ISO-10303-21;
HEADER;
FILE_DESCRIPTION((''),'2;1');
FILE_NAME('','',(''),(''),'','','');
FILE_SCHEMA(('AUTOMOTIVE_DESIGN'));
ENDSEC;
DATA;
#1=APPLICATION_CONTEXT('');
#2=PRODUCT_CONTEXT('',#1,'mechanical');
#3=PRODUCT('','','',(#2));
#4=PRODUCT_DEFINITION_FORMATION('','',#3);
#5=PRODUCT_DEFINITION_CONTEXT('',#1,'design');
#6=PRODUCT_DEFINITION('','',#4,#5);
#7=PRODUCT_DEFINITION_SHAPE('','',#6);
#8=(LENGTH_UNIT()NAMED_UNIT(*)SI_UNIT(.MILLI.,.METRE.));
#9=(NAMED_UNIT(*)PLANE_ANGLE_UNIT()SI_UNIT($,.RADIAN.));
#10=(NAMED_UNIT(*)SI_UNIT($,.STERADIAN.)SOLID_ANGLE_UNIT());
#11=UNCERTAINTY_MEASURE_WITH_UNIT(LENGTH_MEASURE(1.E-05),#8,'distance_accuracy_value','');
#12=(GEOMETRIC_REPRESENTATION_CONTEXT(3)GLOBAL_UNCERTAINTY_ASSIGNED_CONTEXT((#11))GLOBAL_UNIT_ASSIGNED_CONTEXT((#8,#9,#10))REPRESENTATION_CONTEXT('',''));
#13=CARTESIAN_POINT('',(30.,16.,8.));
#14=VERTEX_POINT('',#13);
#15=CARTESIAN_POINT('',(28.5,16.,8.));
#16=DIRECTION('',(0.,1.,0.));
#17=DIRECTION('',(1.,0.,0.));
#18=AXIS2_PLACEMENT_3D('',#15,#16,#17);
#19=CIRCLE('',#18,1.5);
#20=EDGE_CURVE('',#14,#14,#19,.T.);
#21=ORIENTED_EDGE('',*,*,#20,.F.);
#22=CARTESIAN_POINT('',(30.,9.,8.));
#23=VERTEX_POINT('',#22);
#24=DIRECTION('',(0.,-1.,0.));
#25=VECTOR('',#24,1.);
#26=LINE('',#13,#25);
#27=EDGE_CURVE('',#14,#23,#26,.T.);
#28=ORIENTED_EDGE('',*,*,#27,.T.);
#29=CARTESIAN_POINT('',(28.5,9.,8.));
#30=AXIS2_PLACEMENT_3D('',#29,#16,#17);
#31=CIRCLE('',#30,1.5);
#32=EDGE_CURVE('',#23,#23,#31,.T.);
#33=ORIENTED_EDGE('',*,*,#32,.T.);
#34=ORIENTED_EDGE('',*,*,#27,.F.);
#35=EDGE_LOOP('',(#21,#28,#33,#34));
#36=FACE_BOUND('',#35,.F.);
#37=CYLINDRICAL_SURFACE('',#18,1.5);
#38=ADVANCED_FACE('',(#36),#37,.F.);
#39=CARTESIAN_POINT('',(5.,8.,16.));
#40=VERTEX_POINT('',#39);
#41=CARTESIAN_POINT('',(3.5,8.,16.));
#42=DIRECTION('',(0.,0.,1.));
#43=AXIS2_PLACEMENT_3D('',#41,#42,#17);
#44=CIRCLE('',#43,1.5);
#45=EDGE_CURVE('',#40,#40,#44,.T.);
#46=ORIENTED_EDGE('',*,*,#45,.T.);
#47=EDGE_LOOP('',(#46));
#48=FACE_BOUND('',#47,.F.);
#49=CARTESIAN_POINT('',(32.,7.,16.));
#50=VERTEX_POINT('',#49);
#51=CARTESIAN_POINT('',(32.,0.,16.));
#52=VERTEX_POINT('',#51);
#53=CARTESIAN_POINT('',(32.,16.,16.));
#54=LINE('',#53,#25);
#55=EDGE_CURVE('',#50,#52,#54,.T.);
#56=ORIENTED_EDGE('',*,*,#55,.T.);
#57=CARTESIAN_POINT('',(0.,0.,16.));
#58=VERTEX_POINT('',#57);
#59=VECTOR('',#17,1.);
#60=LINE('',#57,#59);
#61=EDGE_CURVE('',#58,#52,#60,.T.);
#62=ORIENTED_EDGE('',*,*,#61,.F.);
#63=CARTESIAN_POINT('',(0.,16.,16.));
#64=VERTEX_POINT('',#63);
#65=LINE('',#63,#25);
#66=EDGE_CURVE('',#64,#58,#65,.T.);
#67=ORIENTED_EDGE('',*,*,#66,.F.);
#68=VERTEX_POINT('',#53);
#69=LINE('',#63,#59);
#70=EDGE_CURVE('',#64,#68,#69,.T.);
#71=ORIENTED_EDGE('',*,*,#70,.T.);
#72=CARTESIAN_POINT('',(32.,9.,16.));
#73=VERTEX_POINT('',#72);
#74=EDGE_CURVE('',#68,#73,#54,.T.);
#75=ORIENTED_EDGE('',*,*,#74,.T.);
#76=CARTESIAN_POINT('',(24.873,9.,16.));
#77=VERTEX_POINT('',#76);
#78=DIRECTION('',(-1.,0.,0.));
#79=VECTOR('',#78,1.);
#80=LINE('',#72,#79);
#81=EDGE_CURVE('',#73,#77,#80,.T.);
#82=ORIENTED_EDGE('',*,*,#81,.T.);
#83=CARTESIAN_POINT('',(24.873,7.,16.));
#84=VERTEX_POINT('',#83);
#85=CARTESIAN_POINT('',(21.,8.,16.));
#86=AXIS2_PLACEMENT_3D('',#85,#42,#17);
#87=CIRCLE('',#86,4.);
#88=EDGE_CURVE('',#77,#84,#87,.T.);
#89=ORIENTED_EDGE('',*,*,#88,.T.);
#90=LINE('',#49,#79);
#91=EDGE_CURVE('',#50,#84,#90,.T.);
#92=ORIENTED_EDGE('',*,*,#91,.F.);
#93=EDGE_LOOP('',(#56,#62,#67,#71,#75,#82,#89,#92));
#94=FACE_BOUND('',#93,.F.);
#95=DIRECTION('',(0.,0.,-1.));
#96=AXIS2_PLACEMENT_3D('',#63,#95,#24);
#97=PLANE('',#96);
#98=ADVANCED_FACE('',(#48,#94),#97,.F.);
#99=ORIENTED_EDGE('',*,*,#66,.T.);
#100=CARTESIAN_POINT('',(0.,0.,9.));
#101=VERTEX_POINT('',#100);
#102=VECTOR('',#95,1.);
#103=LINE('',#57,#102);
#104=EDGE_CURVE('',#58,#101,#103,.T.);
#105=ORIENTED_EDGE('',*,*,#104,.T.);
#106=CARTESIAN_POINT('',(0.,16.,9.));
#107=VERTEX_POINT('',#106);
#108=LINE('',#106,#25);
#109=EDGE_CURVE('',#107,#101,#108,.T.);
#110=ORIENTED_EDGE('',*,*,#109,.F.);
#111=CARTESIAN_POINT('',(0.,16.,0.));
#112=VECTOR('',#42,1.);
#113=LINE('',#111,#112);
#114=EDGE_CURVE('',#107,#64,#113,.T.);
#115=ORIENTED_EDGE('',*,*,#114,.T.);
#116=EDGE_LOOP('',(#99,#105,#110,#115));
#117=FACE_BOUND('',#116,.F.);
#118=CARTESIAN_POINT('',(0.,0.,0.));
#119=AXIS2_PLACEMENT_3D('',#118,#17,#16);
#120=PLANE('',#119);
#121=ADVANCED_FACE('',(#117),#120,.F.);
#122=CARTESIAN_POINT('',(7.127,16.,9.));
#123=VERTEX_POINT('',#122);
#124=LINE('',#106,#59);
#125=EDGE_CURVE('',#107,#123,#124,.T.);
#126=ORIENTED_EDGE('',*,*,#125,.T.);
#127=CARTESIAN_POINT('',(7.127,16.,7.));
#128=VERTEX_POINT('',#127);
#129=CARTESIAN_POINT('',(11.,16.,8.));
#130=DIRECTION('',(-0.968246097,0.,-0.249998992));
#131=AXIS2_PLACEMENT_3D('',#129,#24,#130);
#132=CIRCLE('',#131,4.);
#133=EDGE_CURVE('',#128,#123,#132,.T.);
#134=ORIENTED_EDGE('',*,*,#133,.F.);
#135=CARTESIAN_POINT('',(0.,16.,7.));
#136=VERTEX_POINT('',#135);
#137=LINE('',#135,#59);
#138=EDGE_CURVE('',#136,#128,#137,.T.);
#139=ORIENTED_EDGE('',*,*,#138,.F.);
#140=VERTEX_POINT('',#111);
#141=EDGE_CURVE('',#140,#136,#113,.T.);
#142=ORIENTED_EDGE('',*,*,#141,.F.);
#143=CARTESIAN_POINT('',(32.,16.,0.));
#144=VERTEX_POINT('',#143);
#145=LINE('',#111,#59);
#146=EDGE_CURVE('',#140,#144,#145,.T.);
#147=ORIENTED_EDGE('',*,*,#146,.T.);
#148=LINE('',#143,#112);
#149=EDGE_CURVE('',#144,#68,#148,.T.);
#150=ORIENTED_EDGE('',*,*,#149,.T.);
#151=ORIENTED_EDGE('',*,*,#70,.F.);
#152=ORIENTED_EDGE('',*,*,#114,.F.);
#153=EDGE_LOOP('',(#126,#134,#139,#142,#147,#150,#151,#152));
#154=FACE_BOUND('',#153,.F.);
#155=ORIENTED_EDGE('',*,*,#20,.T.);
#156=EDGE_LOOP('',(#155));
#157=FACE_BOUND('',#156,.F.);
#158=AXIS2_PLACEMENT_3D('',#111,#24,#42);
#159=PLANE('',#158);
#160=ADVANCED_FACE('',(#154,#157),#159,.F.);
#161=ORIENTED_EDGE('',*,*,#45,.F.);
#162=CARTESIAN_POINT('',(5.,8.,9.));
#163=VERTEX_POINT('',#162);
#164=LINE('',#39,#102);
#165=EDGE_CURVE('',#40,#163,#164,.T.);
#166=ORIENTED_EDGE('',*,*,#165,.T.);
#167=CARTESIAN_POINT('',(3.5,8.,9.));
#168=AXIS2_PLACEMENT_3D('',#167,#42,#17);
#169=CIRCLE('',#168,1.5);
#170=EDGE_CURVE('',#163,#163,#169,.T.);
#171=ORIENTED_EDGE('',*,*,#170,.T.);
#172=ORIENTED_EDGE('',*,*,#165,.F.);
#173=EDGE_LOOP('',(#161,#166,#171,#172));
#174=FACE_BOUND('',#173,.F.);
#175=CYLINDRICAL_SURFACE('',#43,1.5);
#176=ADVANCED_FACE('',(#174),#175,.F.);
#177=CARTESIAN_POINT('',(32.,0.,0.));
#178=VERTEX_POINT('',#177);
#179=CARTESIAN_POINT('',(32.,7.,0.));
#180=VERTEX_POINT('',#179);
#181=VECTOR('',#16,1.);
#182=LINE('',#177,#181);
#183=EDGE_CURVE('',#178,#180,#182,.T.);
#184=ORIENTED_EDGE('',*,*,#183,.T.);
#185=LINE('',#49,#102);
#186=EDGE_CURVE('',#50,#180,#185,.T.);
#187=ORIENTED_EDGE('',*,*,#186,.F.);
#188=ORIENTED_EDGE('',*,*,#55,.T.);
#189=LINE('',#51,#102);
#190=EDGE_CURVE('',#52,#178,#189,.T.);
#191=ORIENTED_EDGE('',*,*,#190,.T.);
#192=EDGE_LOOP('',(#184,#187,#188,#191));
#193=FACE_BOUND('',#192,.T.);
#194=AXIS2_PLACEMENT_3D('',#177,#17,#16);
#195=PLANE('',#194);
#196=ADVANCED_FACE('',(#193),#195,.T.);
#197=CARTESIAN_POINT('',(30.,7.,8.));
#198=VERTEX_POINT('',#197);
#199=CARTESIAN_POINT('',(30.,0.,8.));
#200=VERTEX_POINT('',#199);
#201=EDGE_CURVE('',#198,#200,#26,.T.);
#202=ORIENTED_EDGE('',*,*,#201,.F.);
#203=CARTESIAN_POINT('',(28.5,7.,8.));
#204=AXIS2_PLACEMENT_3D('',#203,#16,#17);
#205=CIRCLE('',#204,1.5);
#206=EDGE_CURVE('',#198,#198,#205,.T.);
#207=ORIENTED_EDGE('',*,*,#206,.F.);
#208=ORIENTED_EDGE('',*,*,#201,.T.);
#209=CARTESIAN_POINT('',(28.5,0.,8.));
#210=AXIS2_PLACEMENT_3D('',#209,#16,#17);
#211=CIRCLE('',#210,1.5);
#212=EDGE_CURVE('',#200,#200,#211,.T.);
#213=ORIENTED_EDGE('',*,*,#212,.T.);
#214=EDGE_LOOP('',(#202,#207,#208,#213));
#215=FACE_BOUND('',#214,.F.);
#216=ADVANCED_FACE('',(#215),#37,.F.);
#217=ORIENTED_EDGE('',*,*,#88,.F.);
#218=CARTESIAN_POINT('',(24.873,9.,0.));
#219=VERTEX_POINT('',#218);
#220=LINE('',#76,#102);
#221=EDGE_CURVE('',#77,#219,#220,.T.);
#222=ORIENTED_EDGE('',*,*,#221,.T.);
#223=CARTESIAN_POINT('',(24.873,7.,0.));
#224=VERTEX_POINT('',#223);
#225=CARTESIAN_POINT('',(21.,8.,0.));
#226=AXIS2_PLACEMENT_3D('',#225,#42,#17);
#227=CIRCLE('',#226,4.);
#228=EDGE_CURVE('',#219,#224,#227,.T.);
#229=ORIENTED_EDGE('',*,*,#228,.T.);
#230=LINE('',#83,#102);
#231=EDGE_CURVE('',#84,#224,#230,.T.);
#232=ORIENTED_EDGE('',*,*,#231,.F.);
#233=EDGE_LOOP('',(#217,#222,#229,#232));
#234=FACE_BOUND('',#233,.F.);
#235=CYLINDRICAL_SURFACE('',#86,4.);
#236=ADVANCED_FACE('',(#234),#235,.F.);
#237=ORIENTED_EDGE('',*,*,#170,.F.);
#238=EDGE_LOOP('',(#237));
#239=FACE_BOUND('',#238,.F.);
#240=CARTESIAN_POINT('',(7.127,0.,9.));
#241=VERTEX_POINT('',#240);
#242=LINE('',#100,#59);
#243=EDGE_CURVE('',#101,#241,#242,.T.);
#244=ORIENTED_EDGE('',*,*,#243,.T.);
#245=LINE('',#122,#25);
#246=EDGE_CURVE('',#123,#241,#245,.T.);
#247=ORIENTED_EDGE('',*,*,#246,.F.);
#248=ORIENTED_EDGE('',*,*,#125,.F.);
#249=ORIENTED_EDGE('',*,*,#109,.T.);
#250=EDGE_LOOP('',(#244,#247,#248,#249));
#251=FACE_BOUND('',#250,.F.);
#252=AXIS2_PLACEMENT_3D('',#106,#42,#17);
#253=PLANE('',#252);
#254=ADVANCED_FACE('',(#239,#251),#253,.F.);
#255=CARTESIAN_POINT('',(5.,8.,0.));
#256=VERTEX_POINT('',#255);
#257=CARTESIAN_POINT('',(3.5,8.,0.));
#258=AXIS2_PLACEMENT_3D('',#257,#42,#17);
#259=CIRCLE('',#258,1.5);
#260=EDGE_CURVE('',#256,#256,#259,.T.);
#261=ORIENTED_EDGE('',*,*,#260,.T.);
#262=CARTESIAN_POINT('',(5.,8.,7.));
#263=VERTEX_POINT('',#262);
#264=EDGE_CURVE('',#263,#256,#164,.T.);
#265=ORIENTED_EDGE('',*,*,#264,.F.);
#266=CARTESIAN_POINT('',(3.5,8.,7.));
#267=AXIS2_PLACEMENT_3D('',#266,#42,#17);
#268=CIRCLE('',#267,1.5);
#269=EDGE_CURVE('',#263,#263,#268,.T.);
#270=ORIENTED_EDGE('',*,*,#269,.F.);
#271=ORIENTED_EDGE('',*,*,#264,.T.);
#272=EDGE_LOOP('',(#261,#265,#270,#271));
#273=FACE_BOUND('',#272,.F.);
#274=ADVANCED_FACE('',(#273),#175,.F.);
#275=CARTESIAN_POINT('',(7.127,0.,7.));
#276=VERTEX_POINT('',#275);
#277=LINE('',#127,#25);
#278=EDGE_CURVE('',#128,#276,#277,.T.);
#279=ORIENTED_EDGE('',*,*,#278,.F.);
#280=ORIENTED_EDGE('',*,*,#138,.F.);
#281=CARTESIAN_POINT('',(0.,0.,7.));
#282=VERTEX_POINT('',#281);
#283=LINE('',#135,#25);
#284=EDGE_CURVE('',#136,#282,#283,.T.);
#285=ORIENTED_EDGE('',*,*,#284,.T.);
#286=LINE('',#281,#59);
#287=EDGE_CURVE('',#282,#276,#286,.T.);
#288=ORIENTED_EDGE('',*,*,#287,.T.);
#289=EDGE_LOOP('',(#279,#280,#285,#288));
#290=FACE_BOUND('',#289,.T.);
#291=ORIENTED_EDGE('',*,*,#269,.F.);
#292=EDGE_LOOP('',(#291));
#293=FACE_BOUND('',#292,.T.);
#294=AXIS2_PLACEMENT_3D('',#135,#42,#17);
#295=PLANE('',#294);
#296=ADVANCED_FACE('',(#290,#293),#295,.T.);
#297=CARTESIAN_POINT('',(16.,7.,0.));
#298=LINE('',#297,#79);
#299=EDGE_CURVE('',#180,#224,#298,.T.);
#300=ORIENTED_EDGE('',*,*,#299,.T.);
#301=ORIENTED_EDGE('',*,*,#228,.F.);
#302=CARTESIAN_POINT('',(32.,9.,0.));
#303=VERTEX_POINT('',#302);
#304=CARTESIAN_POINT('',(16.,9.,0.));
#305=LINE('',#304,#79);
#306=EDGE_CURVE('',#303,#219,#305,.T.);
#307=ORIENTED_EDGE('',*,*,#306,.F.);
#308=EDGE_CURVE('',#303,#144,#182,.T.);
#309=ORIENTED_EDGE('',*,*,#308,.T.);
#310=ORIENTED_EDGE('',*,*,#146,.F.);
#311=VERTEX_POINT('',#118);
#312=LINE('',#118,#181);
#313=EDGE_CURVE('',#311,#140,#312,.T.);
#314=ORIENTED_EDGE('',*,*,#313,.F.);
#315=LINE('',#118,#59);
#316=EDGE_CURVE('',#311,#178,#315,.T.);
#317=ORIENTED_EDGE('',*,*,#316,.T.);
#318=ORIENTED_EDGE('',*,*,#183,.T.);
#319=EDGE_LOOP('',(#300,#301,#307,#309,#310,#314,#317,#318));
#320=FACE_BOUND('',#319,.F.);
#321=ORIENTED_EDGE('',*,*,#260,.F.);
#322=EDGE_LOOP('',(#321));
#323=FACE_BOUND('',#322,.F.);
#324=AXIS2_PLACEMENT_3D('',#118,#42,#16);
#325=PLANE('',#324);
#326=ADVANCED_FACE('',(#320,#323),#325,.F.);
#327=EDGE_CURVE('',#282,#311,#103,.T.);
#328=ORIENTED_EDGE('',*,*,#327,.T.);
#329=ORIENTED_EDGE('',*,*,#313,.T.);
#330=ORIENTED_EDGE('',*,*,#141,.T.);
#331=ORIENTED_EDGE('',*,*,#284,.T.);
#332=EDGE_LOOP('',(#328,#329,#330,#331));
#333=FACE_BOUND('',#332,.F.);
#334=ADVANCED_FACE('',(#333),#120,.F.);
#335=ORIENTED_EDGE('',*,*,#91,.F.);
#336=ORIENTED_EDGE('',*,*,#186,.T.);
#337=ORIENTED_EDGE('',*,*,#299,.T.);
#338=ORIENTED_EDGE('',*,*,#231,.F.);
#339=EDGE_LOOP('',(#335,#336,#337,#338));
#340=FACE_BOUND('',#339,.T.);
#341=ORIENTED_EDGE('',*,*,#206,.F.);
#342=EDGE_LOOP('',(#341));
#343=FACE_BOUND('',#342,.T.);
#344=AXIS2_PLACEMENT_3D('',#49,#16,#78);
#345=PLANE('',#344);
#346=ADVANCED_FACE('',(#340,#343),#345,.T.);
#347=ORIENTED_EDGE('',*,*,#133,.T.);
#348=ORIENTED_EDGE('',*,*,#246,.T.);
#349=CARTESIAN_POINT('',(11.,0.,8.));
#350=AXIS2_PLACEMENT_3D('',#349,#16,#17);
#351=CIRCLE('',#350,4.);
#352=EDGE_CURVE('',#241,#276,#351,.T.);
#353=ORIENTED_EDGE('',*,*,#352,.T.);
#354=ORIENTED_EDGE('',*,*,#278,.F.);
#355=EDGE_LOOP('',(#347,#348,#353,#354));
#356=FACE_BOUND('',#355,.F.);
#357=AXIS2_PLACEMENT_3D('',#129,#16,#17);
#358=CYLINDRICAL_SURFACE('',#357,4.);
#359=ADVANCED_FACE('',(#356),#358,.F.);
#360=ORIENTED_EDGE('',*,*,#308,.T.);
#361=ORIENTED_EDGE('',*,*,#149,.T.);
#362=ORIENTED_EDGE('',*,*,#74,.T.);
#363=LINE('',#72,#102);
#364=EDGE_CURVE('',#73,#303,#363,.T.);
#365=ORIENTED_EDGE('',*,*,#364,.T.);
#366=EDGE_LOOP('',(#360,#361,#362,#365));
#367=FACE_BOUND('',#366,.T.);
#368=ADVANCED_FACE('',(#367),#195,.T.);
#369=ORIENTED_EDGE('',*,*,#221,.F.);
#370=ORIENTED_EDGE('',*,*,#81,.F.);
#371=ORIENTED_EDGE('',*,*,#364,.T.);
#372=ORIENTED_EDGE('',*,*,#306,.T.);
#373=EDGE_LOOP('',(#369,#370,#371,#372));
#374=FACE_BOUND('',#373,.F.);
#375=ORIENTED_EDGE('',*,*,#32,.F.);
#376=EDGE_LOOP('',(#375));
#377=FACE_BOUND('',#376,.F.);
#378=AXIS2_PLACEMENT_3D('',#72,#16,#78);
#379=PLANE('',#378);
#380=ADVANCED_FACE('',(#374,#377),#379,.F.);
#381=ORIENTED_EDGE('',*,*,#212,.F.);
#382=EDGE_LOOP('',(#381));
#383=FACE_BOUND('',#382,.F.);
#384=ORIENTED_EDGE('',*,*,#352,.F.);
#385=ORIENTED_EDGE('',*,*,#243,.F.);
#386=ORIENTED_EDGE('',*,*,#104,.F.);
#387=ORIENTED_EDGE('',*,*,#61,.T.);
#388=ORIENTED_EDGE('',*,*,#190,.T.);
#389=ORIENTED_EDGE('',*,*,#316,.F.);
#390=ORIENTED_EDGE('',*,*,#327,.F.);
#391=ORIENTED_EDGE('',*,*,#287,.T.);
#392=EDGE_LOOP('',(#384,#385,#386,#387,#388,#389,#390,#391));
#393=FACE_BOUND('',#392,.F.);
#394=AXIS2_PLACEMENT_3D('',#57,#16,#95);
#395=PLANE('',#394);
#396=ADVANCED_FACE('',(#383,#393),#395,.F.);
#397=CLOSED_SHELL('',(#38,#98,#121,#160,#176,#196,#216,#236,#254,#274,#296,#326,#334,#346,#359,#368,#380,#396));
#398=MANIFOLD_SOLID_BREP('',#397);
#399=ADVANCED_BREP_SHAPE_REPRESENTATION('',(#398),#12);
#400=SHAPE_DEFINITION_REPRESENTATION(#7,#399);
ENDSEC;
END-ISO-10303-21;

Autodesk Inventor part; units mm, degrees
ref_plane "YZ Plane" through (0, 0, 0) normal (1, 0, 0) x (0, 1, 0)
ref_plane "XZ Plane" through (0, 0, 0) normal (0, 1, 0) x (-1, 0, 0)
ref_plane "XY Plane" through (0, 0, 0) normal (0, 0, 1) x (1, 0, 0)
sketch "Sketch1" plane through (0, 0, 0) normal (1, 0, 0) x (0, 1, 0)
  line L0 (0, 0) -> (16, 0)
  line L1 (16, 0) -> (16, 16)
  line L2 (16, 16) -> (0, 16)
  line L3 (0, 16) -> (0, 0)
  dimension "d0" = 16
  dimension "d1" = 16
extrude "Extrusion1" add sketch "Sketch1" along normal blind 32
sketch "Sketch2" plane through (0, 0, 16) normal (0, 0, 1) x (1, 0, 0)
  line L0 (32, 16) -> (32, 0) projected
  circle A0 centre (21, 8) radius 4
  line L1 (32, 8) -> (32, 9)
  line L2 (32, 9) -> (32, 7)
  line L3 (32, 7) -> (24.873, 7)
  line L4 (32, 9) -> (24.873, 9)
  circle A1 centre (3.5, 8) radius 1.5
  dimension "d5" = 8
  dimension "d6" = 1
  dimension "d7" = 2
  dimension "d9" = 3
extrude "Extrusion2" cut sketch "Sketch2" against normal blind 32
sketch "Sketch3" plane through (0, 16, 16) normal (0, 1, 0) x (1, 0, 0)
  line L0 (0, 16) -> (0, 0) projected
  line L1 (0, 0) -> (32, 0) projected
  line L2 (32, 16) -> (32, 0) projected
  line L3 (0, 16) -> (32, 16) projected
  line L4 (16, 16) -> (16, 0)
  line L5 (16, 8) -> (11, 8)
  circle A0 centre (11, 8) radius 4
  line L6 (0, 8) -> (0, 9)
  line L7 (0, 9) -> (7.127, 9)
  line L8 (0, 8) -> (0, 7)
  line L9 (0, 7) -> (7.127, 7)
  line L10 (32, 8) -> (28.5, 8)
  circle A1 centre (28.5, 8) radius 1.5
  dimension "d12" = 5
  dimension "d13" = 8
  dimension "d14" = 1
  dimension "d15" = 1
  dimension "d16" = 3.5
  dimension "d17" = 3
extrude "Extrusion3" cut sketch "Sketch3" against normal blind 32 contours L7 A0 L9 L0 | A1 | A0
properties part number "BarClamp_V2" material "Birch"
